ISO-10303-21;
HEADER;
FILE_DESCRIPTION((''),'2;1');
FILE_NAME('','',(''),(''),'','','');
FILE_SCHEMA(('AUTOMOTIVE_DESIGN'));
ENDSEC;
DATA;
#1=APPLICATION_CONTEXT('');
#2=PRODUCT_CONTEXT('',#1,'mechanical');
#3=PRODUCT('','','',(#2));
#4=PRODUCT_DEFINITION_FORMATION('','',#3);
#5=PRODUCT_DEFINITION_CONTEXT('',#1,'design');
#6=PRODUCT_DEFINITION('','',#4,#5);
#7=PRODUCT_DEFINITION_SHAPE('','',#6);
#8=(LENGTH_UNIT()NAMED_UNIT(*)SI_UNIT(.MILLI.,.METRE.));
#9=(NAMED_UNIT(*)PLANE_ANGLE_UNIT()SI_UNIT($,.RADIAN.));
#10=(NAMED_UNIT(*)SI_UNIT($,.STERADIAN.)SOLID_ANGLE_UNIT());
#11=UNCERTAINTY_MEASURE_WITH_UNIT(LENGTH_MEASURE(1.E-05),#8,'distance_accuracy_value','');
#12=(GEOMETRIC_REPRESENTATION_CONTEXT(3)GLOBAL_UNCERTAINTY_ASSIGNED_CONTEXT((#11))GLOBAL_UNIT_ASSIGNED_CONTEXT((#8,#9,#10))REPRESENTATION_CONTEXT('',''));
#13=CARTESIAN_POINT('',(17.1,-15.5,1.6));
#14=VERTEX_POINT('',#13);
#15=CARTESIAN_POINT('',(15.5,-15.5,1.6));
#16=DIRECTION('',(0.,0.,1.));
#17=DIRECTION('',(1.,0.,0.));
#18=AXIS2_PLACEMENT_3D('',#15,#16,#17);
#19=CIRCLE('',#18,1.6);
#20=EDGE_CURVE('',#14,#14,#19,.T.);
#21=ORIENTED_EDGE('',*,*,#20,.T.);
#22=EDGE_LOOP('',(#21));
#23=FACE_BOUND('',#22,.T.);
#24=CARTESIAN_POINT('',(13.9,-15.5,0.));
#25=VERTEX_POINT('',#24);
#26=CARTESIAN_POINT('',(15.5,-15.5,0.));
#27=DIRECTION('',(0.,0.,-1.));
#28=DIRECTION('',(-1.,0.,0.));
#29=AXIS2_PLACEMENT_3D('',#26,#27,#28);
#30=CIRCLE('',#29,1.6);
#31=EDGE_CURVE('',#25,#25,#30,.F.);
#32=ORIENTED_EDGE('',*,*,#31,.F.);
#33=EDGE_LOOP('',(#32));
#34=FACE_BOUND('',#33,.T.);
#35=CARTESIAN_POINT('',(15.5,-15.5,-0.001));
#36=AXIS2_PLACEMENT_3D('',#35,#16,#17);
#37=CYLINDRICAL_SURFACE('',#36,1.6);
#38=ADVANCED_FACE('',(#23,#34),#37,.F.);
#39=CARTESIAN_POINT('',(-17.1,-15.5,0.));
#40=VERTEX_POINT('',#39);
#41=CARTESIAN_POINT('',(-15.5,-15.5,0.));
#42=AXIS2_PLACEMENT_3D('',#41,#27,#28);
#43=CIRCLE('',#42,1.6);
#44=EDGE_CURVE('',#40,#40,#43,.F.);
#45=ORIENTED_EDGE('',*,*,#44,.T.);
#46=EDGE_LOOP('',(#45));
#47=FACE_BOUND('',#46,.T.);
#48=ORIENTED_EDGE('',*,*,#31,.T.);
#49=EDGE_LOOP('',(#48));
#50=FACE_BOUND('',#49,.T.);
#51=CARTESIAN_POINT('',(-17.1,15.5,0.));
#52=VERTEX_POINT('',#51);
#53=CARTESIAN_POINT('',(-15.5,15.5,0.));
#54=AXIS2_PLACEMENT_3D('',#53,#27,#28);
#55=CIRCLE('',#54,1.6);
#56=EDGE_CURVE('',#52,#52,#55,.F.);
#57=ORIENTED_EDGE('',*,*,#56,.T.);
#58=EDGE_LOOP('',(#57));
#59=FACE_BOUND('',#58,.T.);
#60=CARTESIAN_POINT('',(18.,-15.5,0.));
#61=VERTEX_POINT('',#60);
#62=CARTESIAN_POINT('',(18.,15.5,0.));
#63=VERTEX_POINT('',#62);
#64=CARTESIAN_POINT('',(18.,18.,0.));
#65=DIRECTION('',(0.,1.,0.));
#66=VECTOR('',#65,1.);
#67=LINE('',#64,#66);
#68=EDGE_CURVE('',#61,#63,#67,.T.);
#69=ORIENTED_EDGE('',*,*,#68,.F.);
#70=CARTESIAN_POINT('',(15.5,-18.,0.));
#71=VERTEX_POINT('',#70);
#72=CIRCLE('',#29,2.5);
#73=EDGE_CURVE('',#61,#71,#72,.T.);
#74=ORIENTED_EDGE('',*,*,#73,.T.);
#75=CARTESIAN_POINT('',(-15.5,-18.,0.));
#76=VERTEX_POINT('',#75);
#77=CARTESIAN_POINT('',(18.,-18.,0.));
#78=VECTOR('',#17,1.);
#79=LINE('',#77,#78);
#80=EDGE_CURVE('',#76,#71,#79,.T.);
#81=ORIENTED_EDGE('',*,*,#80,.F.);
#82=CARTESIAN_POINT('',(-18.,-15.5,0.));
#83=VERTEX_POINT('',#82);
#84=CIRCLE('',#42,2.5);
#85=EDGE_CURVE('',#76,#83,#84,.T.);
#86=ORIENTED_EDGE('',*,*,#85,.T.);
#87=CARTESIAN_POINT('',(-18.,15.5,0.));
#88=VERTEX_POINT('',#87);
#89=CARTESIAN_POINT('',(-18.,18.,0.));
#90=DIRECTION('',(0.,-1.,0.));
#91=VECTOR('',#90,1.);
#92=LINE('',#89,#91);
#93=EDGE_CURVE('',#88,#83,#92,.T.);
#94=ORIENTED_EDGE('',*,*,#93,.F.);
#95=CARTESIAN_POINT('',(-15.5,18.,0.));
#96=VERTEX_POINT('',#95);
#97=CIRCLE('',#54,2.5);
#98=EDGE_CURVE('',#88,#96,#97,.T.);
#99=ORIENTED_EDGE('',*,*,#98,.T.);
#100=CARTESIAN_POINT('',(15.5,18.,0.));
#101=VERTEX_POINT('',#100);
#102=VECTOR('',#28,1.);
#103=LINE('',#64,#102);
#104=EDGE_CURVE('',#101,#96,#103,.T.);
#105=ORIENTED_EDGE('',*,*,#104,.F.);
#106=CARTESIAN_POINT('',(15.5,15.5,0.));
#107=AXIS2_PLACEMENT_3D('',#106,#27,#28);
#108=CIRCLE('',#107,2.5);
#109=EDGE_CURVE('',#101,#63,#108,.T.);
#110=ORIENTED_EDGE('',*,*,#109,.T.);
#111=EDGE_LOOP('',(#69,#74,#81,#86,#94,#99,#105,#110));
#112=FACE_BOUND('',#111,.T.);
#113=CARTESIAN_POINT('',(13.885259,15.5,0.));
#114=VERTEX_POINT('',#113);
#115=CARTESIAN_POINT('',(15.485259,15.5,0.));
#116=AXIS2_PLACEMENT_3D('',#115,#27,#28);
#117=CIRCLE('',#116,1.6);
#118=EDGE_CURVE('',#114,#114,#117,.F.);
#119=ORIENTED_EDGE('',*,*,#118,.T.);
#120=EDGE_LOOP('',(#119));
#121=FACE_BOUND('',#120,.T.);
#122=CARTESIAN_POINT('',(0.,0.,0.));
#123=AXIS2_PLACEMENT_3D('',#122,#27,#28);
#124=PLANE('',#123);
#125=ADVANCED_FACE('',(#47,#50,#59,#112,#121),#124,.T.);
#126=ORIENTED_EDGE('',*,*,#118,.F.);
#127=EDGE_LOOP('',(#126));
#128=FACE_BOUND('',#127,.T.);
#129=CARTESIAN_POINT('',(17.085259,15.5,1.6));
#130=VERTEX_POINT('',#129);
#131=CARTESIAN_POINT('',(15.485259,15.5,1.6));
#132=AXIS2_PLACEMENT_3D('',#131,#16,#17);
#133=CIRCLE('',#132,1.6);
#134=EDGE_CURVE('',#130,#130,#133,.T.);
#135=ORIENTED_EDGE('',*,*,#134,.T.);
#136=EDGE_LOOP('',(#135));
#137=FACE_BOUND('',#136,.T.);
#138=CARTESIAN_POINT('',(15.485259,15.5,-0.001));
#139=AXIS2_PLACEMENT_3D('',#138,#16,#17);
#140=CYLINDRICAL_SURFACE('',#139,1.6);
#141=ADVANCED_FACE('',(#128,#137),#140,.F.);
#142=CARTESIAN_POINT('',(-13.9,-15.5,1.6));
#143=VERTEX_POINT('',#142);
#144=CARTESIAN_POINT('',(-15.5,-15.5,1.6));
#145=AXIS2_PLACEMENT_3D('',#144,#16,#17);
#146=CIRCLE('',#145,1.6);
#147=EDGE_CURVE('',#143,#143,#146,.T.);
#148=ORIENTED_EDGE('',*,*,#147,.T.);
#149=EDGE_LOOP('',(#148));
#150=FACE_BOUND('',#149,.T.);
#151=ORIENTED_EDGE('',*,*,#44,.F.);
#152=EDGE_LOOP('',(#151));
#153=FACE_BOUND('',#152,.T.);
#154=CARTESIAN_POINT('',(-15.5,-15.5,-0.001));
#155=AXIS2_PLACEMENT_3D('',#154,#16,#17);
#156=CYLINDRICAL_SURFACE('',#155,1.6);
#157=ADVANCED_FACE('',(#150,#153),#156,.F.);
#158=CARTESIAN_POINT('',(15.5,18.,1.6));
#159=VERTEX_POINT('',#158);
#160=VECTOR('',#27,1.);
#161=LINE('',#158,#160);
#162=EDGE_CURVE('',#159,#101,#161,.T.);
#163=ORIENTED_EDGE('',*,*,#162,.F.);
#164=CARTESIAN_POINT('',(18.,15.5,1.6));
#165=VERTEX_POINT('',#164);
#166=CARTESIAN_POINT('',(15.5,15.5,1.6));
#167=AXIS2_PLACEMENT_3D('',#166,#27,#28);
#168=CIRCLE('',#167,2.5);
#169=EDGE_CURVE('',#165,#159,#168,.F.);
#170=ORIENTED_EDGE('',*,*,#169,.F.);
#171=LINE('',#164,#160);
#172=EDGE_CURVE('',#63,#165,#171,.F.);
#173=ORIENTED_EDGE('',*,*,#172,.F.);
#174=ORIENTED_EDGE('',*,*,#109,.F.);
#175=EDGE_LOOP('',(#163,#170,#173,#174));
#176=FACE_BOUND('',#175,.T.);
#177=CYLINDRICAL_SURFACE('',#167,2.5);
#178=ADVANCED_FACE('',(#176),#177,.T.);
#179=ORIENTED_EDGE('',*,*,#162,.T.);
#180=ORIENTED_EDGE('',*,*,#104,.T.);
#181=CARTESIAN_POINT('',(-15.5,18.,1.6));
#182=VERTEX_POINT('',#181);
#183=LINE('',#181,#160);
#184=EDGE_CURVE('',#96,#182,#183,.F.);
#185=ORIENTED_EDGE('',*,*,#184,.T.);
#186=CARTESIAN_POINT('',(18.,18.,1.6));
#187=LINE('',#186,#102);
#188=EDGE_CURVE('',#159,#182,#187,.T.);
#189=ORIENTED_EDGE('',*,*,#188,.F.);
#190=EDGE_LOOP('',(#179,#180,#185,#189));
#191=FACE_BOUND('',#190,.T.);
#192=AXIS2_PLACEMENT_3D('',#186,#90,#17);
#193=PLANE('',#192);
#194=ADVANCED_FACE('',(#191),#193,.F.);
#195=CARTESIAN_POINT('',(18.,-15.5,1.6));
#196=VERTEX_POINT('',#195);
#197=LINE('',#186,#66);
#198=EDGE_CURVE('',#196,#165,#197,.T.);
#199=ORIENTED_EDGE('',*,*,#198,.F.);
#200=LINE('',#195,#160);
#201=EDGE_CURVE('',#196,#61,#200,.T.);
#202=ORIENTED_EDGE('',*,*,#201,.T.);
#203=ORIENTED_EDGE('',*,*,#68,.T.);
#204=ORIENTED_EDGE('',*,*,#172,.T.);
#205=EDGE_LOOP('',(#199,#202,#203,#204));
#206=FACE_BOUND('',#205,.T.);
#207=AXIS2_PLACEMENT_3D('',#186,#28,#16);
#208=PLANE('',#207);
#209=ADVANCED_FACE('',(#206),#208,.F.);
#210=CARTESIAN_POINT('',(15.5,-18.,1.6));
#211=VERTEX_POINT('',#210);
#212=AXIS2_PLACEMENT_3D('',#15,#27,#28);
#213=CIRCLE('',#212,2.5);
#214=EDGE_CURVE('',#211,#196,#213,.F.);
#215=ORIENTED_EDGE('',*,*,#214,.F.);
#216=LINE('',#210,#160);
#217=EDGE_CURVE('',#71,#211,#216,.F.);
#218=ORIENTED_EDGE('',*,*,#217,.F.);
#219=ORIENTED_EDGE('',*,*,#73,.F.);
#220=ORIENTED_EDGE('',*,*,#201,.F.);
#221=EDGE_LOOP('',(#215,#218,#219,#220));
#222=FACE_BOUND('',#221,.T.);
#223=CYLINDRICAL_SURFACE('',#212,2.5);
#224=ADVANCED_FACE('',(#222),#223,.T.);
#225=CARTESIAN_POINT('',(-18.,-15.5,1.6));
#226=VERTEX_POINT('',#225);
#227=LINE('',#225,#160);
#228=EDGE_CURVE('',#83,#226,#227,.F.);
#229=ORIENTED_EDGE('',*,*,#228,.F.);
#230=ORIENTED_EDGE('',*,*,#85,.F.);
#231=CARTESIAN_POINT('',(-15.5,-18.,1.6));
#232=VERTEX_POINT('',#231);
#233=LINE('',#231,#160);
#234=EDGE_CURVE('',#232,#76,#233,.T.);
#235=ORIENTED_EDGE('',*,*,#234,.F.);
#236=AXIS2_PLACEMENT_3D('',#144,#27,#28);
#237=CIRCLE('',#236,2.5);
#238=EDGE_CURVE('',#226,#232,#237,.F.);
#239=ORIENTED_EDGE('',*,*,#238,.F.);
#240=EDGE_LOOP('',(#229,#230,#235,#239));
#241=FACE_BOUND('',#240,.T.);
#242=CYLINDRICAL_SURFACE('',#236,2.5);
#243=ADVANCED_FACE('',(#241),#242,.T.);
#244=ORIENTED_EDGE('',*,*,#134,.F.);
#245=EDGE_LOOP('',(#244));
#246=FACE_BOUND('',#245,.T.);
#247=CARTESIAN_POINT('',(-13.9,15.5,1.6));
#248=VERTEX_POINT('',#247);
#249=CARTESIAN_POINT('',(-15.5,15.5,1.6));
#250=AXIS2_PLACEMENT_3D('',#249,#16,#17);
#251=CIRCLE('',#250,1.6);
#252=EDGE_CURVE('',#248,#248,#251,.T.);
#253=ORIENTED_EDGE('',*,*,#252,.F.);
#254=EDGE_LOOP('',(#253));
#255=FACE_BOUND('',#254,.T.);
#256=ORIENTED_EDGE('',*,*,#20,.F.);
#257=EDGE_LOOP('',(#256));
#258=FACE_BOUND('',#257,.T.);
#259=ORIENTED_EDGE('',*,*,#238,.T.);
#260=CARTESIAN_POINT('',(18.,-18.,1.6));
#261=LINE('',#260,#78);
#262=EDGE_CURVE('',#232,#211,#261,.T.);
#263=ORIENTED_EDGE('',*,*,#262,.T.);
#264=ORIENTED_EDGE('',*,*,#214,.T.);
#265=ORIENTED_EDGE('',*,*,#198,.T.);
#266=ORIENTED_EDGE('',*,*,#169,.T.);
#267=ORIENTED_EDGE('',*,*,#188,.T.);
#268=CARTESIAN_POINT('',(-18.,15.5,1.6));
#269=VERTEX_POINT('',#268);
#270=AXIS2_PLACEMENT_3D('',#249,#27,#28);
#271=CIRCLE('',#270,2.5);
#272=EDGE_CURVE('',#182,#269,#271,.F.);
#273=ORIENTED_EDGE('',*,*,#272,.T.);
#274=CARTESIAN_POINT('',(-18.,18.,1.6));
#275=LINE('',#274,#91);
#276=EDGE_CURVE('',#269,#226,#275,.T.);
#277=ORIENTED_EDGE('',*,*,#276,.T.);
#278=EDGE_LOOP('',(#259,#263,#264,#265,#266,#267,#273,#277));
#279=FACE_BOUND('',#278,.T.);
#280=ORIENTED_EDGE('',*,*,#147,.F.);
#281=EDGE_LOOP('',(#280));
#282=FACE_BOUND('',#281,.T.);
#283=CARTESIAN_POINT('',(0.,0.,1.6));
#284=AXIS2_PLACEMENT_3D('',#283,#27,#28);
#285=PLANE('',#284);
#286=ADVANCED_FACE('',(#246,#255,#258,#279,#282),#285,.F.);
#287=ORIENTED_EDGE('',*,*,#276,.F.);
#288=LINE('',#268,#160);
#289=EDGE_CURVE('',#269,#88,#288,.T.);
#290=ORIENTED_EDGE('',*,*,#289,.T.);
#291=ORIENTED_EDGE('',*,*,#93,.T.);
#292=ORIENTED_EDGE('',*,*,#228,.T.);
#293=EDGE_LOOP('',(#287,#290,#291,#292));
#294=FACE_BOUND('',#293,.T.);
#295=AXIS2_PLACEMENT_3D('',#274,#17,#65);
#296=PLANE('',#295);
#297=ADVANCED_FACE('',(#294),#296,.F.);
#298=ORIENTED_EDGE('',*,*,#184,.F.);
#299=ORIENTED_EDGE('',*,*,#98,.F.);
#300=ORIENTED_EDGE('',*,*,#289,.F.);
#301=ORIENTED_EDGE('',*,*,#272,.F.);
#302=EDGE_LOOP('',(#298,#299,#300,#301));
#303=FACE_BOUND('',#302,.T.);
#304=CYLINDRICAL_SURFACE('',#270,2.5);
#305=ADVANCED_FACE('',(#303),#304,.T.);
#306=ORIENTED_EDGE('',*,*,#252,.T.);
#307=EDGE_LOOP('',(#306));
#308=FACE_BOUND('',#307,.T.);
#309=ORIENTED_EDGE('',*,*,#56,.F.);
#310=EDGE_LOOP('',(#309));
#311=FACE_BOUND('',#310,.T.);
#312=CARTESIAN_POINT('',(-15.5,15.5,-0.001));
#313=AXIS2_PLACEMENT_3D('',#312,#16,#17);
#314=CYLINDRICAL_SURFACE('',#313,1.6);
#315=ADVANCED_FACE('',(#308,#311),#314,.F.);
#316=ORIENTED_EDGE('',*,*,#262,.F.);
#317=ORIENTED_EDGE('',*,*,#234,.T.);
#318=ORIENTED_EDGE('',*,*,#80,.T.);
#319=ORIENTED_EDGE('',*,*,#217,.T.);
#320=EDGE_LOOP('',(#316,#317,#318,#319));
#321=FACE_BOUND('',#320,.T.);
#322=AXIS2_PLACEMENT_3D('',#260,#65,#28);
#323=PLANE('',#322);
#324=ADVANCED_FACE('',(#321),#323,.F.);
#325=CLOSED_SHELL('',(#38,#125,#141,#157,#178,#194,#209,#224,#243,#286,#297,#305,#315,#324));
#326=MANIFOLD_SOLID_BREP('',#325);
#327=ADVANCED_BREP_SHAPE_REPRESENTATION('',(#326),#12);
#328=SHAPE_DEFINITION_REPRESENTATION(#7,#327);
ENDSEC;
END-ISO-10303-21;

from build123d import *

# Parameters (mm, degrees)
SKETCH2_W           = 36
SKETCH2_H           = 36
BOSS_EXTRUDE1_DEPTH = 1.6
FILLET1_R           = 2.5
CUT_EXTRUDE1_REACH  = 27.506
SKETCH3_R           = 1.6


with BuildPart() as part:
    # Sketch2 → Boss-Extrude1 (new body)
    with BuildSketch(Plane.XY):
        Rectangle(SKETCH2_W, SKETCH2_H)
    extrude(amount=BOSS_EXTRUDE1_DEPTH)

    # Fillet1
    fillet1_edges = [part.edges().sort_by_distance(p)[0] for p in [
        (-18, 18, 0.8),
        (18, 18, 0.8),
        (18, -18, 0.8),
        (-18, -18, 0.8),
    ]]
    fillet(fillet1_edges, radius=FILLET1_R)

    # Sketch3 → Cut-Extrude1 (cut, up to next)
    with BuildSketch(Plane.XY.offset(1.6), mode=Mode.PRIVATE) as cut_extrude1_sk1:
        with Locations((-15.5, -15.5)):
            Circle(SKETCH3_R)
    cut_extrude1_tool1 = extrude(cut_extrude1_sk1.sketch, amount=-CUT_EXTRUDE1_REACH, mode=Mode.PRIVATE) & part.part
    # Sketch3 → Cut-Extrude1 (cut, up to next)
    with BuildSketch(Plane.XY.offset(1.6), mode=Mode.PRIVATE) as cut_extrude1_sk2:
        with Locations((-15.5, 15.5)):
            Circle(SKETCH3_R)
    cut_extrude1_tool2 = extrude(cut_extrude1_sk2.sketch, amount=-CUT_EXTRUDE1_REACH, mode=Mode.PRIVATE) & part.part
    # Sketch3 → Cut-Extrude1 (cut, up to next)
    with BuildSketch(Plane.XY.offset(1.6), mode=Mode.PRIVATE) as cut_extrude1_sk3:
        with Locations((15.48525874, 15.5)):
            Circle(SKETCH3_R)
    cut_extrude1_tool3 = extrude(cut_extrude1_sk3.sketch, amount=-CUT_EXTRUDE1_REACH, mode=Mode.PRIVATE) & part.part
    # Sketch3 → Cut-Extrude1 (cut, up to next)
    with BuildSketch(Plane.XY.offset(1.6), mode=Mode.PRIVATE) as cut_extrude1_sk4:
        with Locations((15.5, -15.5)):
            Circle(SKETCH3_R)
    cut_extrude1_tool4 = extrude(cut_extrude1_sk4.sketch, amount=-CUT_EXTRUDE1_REACH, mode=Mode.PRIVATE) & part.part
    add(cut_extrude1_tool1.solids().sort_by_distance((-15.5, -15.5, 1.6))[0], mode=Mode.SUBTRACT)
    add(cut_extrude1_tool2.solids().sort_by_distance((-15.5, 15.5, 1.6))[0], mode=Mode.SUBTRACT)
    add(cut_extrude1_tool3.solids().sort_by_distance((15.485259, 15.5, 1.6))[0], mode=Mode.SUBTRACT)
    add(cut_extrude1_tool4.solids().sort_by_distance((15.5, -15.5, 1.6))[0], mode=Mode.SUBTRACT)


solid = part.part
